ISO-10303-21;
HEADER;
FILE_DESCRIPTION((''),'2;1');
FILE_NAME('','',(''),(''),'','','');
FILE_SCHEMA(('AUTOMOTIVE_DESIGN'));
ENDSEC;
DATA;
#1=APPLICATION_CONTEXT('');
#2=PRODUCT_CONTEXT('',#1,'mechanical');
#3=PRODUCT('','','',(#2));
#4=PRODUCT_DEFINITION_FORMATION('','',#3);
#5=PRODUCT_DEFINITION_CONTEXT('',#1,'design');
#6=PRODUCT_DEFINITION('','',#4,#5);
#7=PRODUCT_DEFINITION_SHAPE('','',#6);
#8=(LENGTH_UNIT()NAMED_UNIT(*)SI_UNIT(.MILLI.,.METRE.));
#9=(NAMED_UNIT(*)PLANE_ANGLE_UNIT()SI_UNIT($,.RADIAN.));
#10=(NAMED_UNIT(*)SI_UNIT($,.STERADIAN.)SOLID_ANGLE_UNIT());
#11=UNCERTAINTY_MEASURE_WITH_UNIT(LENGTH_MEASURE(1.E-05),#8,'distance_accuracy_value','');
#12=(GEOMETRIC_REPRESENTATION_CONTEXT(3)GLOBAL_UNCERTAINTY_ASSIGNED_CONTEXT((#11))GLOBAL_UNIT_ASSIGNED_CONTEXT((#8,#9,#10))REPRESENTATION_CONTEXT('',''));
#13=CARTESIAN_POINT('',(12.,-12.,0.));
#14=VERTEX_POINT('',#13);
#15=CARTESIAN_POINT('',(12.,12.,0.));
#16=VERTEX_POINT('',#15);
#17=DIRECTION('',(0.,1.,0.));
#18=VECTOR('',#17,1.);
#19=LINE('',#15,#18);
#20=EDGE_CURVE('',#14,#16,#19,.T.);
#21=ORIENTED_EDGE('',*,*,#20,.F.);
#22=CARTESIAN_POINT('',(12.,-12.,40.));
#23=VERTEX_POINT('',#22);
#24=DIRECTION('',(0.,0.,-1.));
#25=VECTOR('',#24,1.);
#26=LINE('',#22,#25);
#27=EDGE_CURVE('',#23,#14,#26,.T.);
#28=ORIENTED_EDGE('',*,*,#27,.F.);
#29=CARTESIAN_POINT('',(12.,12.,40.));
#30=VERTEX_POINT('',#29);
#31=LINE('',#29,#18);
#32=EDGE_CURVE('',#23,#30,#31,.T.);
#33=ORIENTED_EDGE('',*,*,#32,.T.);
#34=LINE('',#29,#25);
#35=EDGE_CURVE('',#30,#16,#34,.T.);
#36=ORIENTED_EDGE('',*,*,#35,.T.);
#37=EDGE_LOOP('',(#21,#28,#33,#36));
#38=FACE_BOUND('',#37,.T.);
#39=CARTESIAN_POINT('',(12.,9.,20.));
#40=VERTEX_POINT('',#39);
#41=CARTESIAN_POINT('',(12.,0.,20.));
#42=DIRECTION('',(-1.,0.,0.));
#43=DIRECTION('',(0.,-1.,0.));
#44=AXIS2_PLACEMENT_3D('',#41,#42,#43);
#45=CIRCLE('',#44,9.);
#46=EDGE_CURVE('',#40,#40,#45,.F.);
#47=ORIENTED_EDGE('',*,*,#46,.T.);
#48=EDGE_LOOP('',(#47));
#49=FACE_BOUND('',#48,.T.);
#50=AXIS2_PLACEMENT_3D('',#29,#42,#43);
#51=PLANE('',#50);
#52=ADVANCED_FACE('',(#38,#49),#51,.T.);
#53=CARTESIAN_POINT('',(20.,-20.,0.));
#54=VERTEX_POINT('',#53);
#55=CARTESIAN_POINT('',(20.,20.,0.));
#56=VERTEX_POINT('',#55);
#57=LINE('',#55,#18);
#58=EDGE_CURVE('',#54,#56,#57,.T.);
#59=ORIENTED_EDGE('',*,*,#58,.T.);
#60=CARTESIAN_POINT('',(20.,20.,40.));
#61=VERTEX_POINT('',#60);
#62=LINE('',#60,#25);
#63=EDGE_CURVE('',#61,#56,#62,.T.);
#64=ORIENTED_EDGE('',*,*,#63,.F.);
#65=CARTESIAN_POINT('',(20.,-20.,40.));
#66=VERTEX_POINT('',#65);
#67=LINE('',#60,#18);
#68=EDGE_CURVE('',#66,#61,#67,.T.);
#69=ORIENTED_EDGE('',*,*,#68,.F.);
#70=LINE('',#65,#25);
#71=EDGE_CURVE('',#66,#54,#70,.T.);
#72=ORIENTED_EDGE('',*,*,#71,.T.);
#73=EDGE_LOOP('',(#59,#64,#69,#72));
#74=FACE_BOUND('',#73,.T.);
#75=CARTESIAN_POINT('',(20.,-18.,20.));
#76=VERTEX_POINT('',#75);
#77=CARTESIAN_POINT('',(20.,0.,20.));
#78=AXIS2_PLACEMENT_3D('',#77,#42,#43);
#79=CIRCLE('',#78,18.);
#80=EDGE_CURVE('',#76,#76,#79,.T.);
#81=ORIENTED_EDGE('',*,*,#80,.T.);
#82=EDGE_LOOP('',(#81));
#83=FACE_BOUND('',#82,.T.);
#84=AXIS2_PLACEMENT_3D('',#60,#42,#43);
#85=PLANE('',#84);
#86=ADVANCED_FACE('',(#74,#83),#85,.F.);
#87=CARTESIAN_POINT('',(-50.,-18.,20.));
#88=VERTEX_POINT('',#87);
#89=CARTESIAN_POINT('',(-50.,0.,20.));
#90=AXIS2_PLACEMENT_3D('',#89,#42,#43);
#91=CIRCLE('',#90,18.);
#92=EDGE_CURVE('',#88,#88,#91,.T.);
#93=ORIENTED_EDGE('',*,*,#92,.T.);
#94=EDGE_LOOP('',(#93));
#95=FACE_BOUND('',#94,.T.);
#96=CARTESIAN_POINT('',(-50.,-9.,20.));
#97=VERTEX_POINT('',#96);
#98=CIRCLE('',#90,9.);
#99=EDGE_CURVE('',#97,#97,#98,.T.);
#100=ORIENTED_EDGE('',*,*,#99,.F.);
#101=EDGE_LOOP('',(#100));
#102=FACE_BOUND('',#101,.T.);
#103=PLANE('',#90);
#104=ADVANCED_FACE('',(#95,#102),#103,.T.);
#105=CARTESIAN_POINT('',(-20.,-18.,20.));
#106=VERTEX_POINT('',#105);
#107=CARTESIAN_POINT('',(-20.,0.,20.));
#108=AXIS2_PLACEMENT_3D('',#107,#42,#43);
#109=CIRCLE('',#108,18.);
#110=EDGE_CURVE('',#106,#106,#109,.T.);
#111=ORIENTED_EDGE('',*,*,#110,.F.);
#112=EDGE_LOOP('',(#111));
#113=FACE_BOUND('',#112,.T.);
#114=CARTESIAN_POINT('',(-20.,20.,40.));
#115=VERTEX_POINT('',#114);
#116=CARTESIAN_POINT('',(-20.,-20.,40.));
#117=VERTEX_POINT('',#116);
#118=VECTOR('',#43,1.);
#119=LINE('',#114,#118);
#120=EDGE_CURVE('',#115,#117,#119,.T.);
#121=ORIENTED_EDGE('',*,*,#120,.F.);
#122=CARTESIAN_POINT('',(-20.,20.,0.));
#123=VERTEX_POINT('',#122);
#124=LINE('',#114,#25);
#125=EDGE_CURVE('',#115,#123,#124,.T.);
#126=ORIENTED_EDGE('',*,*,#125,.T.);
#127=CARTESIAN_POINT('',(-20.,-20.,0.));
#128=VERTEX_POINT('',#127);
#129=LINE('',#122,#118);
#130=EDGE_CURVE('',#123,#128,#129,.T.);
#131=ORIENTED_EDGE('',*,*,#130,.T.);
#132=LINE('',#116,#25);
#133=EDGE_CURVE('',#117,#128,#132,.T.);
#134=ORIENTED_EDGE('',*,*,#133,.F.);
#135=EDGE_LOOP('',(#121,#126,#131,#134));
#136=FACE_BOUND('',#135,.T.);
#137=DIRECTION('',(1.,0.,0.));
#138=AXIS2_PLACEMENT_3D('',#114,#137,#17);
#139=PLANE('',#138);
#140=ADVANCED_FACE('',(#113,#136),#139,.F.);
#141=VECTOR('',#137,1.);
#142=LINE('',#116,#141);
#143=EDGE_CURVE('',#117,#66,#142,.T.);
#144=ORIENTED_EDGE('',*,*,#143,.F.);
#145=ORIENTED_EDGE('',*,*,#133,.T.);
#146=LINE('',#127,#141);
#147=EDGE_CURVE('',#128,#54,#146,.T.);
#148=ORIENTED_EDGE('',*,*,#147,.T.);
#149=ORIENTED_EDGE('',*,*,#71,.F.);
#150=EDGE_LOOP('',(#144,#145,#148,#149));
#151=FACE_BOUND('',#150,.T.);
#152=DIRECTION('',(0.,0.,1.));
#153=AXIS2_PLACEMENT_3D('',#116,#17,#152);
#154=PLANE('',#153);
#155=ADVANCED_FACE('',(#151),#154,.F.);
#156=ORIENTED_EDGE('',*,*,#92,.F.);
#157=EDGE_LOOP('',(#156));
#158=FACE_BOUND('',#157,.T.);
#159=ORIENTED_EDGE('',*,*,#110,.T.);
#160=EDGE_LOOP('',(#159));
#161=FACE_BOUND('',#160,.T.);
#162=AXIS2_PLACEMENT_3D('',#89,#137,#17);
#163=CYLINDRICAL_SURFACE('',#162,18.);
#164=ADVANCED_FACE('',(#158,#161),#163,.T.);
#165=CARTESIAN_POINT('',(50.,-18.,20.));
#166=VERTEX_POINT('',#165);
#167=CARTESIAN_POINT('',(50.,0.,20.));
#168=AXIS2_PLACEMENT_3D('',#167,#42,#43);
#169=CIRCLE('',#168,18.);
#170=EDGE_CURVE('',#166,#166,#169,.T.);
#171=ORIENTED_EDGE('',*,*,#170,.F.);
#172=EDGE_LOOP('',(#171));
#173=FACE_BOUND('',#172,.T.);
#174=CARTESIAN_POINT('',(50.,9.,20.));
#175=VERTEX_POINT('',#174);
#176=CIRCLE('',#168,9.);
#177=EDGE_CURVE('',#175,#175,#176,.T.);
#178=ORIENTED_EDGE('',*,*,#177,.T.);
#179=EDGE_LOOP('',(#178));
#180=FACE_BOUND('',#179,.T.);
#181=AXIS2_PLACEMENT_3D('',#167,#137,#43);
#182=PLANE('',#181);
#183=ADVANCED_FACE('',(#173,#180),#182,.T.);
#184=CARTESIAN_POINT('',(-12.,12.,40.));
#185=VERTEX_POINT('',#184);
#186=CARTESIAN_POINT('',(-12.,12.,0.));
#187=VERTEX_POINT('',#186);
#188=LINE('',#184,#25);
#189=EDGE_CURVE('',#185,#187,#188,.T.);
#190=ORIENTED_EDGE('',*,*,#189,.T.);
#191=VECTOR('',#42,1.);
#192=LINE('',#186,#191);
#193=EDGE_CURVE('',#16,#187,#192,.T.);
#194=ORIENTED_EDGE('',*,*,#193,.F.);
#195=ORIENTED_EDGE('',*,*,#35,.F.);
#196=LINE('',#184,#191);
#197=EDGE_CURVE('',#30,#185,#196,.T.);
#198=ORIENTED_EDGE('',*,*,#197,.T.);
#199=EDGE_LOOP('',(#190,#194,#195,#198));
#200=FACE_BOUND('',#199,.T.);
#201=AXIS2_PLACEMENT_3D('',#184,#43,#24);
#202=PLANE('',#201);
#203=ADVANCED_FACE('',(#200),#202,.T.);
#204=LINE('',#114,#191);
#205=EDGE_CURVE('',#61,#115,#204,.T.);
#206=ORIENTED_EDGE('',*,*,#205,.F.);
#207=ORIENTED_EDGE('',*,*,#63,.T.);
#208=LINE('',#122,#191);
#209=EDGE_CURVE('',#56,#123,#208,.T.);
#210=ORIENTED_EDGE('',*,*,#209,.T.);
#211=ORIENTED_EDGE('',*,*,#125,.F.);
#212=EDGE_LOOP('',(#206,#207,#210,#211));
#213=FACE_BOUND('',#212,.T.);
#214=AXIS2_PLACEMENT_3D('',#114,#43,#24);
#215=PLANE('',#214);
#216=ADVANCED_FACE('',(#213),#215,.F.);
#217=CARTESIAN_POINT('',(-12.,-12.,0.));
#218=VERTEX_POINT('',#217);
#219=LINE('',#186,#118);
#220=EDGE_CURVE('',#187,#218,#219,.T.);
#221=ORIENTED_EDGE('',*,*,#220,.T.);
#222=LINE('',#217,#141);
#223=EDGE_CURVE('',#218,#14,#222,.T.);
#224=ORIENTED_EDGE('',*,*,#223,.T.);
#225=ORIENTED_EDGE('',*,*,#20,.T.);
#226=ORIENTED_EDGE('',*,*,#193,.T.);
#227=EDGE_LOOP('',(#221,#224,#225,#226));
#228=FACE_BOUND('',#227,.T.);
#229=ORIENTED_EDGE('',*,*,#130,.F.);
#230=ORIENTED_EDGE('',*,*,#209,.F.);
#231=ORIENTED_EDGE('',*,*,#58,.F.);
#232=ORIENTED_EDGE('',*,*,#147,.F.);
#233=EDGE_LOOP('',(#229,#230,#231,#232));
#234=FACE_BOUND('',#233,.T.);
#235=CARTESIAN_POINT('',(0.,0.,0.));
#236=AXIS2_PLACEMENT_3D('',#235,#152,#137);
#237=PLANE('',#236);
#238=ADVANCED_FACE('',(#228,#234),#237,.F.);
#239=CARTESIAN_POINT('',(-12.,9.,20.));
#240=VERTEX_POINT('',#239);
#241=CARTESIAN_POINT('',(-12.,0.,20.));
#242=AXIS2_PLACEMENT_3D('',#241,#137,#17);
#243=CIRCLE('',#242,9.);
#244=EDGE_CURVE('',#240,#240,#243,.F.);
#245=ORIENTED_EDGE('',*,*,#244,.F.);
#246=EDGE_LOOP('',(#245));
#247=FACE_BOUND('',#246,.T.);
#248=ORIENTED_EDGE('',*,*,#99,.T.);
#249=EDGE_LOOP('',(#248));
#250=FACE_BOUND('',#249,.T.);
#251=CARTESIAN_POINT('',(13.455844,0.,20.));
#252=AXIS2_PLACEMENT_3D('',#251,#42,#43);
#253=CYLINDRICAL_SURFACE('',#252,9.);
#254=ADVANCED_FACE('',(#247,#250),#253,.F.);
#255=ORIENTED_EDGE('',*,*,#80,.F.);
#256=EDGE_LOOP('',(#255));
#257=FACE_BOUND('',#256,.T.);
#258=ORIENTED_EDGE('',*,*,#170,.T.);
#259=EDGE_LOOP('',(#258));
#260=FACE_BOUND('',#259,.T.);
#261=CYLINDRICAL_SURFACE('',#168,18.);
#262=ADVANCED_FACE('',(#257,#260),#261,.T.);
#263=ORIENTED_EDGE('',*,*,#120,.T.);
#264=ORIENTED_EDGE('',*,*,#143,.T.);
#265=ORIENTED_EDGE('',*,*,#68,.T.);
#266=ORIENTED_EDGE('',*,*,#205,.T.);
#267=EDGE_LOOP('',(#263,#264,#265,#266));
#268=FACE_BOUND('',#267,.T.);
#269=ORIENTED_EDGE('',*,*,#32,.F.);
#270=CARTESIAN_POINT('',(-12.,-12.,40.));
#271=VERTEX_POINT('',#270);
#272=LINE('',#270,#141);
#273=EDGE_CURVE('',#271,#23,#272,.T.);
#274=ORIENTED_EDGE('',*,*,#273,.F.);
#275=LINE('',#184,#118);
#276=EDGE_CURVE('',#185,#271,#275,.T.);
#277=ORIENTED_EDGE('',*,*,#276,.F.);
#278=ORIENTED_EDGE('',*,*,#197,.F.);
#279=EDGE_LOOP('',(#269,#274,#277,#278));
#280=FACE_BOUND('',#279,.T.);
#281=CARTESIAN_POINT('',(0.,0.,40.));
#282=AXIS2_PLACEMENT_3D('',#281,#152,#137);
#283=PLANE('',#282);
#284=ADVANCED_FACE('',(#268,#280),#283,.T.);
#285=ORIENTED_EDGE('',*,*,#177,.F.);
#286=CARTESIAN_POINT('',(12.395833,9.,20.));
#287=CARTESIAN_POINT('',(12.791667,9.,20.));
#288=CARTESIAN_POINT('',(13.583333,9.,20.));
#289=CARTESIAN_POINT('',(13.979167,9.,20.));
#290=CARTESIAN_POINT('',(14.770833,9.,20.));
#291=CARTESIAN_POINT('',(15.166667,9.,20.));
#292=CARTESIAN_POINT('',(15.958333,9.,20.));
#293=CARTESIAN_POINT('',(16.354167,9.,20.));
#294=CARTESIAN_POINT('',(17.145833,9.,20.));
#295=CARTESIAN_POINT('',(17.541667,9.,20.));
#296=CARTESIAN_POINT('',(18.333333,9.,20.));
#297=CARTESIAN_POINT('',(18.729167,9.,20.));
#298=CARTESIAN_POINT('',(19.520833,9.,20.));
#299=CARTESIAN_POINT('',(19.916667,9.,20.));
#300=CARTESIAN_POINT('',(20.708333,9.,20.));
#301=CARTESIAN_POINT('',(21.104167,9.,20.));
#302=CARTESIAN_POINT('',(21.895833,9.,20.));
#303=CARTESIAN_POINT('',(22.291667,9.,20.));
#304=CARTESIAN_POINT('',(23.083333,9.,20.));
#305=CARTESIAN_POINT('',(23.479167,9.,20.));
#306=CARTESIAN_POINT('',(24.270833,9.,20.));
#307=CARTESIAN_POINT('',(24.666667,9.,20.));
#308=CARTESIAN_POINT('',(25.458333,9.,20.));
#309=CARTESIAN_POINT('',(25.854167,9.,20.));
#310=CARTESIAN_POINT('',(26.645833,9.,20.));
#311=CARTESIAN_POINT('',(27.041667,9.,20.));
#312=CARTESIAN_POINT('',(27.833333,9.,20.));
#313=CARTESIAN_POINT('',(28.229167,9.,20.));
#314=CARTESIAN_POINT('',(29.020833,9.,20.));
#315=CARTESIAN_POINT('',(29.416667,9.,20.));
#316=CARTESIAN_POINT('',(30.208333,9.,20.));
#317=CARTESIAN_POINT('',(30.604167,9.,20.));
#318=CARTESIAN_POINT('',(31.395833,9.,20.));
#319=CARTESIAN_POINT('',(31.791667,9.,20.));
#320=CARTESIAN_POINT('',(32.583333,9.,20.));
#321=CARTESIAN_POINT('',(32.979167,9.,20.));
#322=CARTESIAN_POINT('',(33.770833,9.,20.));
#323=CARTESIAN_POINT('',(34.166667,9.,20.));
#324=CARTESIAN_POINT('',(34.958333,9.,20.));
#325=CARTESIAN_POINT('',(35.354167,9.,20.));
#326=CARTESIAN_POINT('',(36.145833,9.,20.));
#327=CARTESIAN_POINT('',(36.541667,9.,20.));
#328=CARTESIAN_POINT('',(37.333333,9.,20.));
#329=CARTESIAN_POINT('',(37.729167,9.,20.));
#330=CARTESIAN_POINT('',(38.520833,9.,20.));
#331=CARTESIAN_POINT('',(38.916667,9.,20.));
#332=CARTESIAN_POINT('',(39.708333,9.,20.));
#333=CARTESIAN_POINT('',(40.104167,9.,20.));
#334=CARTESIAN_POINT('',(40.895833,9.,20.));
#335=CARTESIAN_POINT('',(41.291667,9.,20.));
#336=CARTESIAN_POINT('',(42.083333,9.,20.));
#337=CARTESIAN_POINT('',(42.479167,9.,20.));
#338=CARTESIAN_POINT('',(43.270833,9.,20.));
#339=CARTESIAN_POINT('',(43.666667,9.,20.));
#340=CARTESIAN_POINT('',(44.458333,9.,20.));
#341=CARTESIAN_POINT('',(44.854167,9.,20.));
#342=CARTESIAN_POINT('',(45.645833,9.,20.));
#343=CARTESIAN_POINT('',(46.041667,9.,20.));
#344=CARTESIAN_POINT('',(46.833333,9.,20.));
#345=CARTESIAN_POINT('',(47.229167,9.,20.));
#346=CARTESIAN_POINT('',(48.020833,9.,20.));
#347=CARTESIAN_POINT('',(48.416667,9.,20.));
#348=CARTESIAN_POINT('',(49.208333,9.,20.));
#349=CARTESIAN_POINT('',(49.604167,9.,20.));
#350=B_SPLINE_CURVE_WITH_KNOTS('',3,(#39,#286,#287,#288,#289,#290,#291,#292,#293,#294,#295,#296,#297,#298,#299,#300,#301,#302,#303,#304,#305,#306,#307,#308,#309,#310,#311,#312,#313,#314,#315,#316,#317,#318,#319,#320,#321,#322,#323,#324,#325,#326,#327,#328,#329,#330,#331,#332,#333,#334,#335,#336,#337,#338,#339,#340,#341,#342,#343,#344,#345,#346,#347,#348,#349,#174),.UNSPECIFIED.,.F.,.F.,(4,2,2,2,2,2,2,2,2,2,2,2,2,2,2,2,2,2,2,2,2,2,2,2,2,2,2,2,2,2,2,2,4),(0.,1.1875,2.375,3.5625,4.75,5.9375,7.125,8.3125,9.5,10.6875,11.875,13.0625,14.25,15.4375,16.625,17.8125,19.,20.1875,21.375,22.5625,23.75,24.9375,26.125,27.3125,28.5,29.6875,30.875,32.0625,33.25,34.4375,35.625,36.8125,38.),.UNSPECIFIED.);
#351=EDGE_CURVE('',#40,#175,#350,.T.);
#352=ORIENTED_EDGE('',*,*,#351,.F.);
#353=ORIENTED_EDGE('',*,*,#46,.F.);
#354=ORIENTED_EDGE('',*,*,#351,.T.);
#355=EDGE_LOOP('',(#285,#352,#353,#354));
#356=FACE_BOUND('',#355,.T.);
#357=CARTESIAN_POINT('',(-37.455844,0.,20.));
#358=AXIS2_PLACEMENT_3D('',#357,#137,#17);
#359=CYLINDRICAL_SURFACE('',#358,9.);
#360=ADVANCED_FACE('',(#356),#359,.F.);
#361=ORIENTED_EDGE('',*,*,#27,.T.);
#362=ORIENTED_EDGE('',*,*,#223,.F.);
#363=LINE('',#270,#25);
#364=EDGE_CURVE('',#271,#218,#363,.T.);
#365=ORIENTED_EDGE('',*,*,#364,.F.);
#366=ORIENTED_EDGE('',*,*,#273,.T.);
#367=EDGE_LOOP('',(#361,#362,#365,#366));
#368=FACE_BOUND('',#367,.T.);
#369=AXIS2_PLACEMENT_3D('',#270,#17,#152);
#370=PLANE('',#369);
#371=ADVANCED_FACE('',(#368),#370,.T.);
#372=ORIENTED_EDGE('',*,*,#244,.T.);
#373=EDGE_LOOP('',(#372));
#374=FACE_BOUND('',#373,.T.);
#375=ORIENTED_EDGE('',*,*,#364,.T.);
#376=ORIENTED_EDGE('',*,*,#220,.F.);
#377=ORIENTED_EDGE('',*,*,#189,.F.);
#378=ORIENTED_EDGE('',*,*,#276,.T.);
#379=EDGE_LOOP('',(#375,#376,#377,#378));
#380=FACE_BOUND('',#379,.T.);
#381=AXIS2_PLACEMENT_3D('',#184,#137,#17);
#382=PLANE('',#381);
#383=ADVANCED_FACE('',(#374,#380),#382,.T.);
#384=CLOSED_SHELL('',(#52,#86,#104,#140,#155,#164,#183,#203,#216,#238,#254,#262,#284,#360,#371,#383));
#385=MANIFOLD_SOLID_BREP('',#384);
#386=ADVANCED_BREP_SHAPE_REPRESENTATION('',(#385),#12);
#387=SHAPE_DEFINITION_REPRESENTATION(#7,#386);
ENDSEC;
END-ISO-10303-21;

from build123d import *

# Parameters (mm, degrees)
SKETCH1_W           = 40
SKETCH1_H           = 40
SKETCH1_W_2         = 24
SKETCH1_H_2         = 24
BOSS_EXTRUDE1_DEPTH = 40
SKETCH2_R           = 18
BOSS_EXTRUDE3_DEPTH = 30
SKETCH3_R           = 9
CUT_EXTRUDE1_DEPTH  = 62


with BuildPart() as part:
    # Sketch1 → Boss-Extrude1 (new body)
    with BuildSketch(Plane.XY):
        Rectangle(SKETCH1_W, SKETCH1_H)
        Rectangle(SKETCH1_W_2, SKETCH1_H_2, mode=Mode.SUBTRACT)
    extrude(amount=BOSS_EXTRUDE1_DEPTH)

    # Sketch2 → Boss-Extrude3 (add)
    with BuildSketch(Plane.ZY.offset(20)):
        with Locations(Location((20, 0, 0), (0, 0, 270))):
            Circle(SKETCH2_R)
    boss_extrude3 = extrude(amount=BOSS_EXTRUDE3_DEPTH)

    # Sketch3 → Cut-Extrude1 (cut)
    with BuildSketch(Plane.ZY.offset(50)):
        with Locations(Location((20, 0, 0), (0, 0, 270))):
            Circle(SKETCH3_R)
    cut_extrude1 = extrude(amount=-CUT_EXTRUDE1_DEPTH, mode=Mode.SUBTRACT)

    # Mirror1: Boss-Extrude3, Cut-Extrude1 across plane
    add(boss_extrude3.mirror(Plane(origin=(0, 0, 0), x_dir=(0, 0, 1), z_dir=(1, 0, 0))))
    add(cut_extrude1.mirror(Plane(origin=(0, 0, 0), x_dir=(0, 0, 1), z_dir=(1, 0, 0))), mode=Mode.SUBTRACT)


solid = part.part
